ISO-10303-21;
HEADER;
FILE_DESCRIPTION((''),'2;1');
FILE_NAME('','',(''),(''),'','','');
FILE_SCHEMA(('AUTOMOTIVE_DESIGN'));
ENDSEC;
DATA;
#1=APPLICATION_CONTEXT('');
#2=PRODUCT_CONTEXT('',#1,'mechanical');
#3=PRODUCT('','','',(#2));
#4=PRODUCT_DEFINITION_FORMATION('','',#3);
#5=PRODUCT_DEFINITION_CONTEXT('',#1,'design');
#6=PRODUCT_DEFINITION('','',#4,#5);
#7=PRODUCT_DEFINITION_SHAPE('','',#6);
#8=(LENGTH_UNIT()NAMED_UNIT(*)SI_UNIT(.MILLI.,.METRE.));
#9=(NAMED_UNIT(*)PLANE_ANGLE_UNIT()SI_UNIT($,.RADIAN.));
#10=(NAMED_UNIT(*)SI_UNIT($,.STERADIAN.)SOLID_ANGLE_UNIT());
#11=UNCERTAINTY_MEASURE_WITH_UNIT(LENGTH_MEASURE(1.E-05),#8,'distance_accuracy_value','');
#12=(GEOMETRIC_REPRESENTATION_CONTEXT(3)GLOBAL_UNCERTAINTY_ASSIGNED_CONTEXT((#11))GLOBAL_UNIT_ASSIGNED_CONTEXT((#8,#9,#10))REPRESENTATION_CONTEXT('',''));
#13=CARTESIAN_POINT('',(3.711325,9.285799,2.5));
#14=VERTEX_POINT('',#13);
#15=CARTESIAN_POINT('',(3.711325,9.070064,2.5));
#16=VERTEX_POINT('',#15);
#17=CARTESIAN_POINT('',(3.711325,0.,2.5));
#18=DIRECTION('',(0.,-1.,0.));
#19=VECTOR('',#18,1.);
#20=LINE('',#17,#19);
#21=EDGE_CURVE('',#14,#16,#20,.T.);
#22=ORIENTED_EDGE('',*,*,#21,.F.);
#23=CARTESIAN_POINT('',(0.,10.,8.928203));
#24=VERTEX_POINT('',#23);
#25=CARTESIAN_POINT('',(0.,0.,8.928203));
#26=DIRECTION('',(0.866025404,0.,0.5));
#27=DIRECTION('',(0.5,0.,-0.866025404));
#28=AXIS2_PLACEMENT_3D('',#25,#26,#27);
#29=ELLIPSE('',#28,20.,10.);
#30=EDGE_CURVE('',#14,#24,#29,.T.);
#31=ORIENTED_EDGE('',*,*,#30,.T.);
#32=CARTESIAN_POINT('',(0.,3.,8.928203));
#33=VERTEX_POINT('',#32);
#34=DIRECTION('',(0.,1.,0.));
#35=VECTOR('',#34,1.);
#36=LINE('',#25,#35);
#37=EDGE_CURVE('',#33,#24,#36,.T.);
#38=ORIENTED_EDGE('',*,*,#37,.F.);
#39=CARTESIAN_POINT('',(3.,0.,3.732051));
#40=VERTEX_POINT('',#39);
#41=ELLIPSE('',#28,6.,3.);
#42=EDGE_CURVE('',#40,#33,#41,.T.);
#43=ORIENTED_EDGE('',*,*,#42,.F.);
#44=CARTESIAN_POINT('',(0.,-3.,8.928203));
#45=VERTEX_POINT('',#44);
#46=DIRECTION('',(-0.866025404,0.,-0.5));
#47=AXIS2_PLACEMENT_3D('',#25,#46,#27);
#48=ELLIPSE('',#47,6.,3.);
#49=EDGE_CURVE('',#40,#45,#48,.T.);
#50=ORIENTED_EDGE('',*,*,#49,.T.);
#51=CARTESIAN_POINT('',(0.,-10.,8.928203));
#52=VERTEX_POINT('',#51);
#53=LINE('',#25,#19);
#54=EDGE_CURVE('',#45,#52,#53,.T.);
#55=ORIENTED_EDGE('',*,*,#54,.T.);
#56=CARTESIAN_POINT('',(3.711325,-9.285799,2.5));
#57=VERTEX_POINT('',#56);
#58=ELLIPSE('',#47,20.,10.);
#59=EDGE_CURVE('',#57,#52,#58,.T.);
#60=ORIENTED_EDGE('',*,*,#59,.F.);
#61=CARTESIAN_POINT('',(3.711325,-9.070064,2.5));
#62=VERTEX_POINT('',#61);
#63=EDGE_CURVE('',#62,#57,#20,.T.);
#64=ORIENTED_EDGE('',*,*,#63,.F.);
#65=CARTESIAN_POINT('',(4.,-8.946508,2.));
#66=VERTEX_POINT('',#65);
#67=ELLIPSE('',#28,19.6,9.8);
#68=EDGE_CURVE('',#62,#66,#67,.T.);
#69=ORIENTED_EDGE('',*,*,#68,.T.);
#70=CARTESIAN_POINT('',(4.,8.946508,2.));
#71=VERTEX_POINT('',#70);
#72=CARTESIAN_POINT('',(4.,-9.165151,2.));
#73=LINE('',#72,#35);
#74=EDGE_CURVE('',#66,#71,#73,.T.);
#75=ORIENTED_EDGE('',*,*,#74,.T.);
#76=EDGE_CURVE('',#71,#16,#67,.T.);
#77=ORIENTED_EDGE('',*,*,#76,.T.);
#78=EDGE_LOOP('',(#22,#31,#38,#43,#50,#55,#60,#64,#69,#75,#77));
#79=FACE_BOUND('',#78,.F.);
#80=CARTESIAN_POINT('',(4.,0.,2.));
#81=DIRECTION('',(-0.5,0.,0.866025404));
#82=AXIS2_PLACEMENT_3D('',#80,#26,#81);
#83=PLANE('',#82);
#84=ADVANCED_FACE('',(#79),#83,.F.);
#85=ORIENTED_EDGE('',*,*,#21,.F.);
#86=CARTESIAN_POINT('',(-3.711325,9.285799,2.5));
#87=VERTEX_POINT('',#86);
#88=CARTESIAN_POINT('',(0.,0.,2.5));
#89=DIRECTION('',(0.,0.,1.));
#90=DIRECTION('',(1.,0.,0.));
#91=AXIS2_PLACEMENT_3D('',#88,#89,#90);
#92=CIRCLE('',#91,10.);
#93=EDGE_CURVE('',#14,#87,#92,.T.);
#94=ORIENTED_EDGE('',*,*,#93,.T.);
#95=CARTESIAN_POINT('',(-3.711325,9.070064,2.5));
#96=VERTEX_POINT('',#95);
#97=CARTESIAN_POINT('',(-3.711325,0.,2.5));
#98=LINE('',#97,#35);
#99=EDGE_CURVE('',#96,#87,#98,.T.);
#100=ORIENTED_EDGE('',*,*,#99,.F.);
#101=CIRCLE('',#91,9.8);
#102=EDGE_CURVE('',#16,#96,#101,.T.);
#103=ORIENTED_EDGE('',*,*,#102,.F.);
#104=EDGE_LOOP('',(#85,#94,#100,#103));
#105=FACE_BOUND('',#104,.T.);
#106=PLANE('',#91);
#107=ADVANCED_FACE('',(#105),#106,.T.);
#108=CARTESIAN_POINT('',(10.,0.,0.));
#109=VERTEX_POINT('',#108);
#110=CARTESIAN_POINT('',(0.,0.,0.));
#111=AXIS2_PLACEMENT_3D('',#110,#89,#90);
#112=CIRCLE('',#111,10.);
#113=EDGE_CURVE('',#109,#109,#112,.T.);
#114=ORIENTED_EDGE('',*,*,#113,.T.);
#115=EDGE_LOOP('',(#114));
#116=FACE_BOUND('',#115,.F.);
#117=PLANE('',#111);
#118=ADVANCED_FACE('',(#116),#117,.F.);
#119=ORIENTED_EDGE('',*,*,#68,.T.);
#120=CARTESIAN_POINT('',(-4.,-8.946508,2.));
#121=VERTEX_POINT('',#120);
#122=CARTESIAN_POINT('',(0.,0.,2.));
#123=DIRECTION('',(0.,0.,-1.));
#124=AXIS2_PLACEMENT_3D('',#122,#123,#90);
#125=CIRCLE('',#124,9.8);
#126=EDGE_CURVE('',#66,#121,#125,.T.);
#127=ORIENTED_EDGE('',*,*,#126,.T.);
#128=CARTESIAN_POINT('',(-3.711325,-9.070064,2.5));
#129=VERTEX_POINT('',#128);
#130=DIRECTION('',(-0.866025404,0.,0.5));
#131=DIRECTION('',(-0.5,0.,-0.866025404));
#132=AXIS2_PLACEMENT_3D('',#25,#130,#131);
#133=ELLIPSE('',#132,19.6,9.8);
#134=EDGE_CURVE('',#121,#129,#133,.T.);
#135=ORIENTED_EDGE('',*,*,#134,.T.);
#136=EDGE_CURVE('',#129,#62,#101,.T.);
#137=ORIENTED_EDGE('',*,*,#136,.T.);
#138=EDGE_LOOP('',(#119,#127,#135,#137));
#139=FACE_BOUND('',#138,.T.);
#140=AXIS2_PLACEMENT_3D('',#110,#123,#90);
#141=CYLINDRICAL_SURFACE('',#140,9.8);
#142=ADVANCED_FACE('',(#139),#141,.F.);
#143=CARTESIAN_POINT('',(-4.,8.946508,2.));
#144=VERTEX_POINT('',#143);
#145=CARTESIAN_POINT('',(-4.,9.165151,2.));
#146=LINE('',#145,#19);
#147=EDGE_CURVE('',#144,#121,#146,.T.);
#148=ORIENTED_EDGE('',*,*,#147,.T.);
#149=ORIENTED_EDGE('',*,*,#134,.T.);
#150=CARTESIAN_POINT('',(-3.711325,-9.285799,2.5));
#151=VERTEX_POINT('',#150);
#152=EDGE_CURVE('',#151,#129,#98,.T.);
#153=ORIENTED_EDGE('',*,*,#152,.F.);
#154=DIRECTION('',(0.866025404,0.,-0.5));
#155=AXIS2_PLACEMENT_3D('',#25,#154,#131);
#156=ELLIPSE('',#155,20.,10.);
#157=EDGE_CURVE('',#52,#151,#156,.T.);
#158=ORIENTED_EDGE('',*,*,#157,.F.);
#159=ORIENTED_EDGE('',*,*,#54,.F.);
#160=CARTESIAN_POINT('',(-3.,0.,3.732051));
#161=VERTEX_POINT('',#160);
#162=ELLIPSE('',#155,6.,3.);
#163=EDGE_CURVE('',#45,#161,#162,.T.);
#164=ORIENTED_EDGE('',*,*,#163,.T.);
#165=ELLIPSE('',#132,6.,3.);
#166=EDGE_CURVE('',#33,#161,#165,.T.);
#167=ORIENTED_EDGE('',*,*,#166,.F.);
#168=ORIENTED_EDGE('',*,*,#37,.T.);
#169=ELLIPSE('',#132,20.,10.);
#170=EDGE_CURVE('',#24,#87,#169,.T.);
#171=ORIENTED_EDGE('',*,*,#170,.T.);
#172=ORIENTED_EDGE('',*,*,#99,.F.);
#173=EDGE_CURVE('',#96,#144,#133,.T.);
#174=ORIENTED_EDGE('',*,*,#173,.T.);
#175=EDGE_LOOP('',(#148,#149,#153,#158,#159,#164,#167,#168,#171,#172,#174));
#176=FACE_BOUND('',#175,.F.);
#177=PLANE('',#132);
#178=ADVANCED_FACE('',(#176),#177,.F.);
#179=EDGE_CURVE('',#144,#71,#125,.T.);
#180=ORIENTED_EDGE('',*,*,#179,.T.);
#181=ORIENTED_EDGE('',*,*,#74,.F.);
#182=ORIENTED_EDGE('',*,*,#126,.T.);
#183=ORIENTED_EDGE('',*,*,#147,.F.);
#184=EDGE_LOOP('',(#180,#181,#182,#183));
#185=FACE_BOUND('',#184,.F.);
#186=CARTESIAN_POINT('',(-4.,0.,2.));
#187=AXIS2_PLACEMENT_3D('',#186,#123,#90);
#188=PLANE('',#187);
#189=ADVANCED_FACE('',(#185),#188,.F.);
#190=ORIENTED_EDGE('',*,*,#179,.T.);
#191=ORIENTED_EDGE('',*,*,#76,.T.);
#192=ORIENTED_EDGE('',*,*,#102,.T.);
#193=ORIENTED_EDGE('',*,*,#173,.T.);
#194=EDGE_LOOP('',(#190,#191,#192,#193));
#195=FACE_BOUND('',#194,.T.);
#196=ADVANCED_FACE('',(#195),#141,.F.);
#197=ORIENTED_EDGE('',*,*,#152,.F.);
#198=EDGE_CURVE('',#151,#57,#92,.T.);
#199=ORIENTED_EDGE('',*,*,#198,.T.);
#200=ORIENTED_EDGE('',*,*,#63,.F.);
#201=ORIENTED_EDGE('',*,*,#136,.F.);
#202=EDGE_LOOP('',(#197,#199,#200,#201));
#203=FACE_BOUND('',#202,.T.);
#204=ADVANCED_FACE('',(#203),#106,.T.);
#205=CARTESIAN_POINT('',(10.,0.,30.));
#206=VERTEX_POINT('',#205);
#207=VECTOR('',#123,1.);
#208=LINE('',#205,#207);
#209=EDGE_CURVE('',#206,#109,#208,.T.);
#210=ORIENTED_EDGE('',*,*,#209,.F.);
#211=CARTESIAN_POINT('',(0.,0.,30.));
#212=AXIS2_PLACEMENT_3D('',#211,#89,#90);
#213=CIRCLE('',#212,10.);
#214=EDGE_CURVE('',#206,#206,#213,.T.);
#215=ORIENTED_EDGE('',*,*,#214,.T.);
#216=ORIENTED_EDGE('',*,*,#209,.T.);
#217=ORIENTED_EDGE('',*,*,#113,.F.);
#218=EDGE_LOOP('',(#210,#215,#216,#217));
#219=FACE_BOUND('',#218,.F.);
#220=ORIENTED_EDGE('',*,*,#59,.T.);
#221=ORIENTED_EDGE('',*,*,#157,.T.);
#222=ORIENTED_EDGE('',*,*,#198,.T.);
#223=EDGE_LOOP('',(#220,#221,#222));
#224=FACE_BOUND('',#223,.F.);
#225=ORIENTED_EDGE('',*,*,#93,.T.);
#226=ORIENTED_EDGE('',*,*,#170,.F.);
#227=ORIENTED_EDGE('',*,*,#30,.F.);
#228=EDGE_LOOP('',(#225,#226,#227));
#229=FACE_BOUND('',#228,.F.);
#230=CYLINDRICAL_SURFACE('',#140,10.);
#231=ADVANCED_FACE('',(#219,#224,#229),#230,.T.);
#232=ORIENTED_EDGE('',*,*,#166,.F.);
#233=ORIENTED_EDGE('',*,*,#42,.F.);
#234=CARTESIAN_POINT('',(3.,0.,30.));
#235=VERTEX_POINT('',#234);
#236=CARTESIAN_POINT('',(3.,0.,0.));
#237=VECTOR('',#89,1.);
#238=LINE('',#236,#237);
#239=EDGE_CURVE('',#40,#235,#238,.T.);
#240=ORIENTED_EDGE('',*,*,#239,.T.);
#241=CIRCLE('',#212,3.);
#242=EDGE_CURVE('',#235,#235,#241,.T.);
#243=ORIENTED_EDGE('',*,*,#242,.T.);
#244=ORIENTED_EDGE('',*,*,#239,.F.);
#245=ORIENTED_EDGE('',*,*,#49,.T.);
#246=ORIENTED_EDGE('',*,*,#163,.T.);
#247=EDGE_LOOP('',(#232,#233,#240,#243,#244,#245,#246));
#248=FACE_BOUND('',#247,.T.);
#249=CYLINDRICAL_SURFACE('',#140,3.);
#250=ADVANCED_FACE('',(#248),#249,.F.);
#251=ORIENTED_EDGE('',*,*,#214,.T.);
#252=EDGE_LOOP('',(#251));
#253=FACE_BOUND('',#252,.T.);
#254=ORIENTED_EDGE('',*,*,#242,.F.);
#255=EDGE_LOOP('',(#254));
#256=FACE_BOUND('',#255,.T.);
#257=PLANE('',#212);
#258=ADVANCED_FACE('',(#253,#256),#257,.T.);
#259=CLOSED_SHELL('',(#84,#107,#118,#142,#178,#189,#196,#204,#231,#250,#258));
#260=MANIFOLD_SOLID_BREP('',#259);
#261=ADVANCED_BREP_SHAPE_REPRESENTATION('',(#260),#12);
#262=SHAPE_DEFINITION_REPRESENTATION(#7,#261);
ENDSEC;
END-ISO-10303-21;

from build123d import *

# Parameters (mm, degrees)
F0_R          = 10
F0_R_2        = 9.8
F0_R_3        = 3
F2_DEPTH      = 2
F3_DEPTH      = 30
F4_DEPTH      = 25
F4_DEPTH_BACK = 25
F5_DEPTH      = 2.5


with BuildPart() as f2:
    # F0 (on Top) → F2 (new body)
    with BuildSketch(Plane.XY):
        Circle(F0_R)
        Circle(F0_R_2, mode=Mode.SUBTRACT)
        Circle(F0_R_2)
        Circle(F0_R_3, mode=Mode.SUBTRACT)
        Circle(F0_R_3)
    extrude(amount=F2_DEPTH)

    # F0 (on Top) → F3 (join)
    with BuildSketch(Plane.XY):
        Circle(F0_R)
        Circle(F0_R_2, mode=Mode.SUBTRACT)
        Circle(F0_R_2)
        Circle(F0_R_3, mode=Mode.SUBTRACT)
    extrude(amount=F3_DEPTH)

    # F1 (on Front) → F4 (cut, two sides)
    with BuildSketch(Plane.XZ) as f4_sk:
        Polygon((-4, 2), (0, 2), (4, 2), (0, 8.9282032303), align=None)
    extrude(amount=F4_DEPTH, mode=Mode.SUBTRACT)
    extrude(f4_sk.sketch, amount=-F4_DEPTH_BACK, mode=Mode.SUBTRACT)

    # F0 (on Top) → F5 (join)
    with BuildSketch(Plane.XY):
        Circle(F0_R)
        Circle(F0_R_2, mode=Mode.SUBTRACT)
    extrude(amount=F5_DEPTH)


solid = f2.part
